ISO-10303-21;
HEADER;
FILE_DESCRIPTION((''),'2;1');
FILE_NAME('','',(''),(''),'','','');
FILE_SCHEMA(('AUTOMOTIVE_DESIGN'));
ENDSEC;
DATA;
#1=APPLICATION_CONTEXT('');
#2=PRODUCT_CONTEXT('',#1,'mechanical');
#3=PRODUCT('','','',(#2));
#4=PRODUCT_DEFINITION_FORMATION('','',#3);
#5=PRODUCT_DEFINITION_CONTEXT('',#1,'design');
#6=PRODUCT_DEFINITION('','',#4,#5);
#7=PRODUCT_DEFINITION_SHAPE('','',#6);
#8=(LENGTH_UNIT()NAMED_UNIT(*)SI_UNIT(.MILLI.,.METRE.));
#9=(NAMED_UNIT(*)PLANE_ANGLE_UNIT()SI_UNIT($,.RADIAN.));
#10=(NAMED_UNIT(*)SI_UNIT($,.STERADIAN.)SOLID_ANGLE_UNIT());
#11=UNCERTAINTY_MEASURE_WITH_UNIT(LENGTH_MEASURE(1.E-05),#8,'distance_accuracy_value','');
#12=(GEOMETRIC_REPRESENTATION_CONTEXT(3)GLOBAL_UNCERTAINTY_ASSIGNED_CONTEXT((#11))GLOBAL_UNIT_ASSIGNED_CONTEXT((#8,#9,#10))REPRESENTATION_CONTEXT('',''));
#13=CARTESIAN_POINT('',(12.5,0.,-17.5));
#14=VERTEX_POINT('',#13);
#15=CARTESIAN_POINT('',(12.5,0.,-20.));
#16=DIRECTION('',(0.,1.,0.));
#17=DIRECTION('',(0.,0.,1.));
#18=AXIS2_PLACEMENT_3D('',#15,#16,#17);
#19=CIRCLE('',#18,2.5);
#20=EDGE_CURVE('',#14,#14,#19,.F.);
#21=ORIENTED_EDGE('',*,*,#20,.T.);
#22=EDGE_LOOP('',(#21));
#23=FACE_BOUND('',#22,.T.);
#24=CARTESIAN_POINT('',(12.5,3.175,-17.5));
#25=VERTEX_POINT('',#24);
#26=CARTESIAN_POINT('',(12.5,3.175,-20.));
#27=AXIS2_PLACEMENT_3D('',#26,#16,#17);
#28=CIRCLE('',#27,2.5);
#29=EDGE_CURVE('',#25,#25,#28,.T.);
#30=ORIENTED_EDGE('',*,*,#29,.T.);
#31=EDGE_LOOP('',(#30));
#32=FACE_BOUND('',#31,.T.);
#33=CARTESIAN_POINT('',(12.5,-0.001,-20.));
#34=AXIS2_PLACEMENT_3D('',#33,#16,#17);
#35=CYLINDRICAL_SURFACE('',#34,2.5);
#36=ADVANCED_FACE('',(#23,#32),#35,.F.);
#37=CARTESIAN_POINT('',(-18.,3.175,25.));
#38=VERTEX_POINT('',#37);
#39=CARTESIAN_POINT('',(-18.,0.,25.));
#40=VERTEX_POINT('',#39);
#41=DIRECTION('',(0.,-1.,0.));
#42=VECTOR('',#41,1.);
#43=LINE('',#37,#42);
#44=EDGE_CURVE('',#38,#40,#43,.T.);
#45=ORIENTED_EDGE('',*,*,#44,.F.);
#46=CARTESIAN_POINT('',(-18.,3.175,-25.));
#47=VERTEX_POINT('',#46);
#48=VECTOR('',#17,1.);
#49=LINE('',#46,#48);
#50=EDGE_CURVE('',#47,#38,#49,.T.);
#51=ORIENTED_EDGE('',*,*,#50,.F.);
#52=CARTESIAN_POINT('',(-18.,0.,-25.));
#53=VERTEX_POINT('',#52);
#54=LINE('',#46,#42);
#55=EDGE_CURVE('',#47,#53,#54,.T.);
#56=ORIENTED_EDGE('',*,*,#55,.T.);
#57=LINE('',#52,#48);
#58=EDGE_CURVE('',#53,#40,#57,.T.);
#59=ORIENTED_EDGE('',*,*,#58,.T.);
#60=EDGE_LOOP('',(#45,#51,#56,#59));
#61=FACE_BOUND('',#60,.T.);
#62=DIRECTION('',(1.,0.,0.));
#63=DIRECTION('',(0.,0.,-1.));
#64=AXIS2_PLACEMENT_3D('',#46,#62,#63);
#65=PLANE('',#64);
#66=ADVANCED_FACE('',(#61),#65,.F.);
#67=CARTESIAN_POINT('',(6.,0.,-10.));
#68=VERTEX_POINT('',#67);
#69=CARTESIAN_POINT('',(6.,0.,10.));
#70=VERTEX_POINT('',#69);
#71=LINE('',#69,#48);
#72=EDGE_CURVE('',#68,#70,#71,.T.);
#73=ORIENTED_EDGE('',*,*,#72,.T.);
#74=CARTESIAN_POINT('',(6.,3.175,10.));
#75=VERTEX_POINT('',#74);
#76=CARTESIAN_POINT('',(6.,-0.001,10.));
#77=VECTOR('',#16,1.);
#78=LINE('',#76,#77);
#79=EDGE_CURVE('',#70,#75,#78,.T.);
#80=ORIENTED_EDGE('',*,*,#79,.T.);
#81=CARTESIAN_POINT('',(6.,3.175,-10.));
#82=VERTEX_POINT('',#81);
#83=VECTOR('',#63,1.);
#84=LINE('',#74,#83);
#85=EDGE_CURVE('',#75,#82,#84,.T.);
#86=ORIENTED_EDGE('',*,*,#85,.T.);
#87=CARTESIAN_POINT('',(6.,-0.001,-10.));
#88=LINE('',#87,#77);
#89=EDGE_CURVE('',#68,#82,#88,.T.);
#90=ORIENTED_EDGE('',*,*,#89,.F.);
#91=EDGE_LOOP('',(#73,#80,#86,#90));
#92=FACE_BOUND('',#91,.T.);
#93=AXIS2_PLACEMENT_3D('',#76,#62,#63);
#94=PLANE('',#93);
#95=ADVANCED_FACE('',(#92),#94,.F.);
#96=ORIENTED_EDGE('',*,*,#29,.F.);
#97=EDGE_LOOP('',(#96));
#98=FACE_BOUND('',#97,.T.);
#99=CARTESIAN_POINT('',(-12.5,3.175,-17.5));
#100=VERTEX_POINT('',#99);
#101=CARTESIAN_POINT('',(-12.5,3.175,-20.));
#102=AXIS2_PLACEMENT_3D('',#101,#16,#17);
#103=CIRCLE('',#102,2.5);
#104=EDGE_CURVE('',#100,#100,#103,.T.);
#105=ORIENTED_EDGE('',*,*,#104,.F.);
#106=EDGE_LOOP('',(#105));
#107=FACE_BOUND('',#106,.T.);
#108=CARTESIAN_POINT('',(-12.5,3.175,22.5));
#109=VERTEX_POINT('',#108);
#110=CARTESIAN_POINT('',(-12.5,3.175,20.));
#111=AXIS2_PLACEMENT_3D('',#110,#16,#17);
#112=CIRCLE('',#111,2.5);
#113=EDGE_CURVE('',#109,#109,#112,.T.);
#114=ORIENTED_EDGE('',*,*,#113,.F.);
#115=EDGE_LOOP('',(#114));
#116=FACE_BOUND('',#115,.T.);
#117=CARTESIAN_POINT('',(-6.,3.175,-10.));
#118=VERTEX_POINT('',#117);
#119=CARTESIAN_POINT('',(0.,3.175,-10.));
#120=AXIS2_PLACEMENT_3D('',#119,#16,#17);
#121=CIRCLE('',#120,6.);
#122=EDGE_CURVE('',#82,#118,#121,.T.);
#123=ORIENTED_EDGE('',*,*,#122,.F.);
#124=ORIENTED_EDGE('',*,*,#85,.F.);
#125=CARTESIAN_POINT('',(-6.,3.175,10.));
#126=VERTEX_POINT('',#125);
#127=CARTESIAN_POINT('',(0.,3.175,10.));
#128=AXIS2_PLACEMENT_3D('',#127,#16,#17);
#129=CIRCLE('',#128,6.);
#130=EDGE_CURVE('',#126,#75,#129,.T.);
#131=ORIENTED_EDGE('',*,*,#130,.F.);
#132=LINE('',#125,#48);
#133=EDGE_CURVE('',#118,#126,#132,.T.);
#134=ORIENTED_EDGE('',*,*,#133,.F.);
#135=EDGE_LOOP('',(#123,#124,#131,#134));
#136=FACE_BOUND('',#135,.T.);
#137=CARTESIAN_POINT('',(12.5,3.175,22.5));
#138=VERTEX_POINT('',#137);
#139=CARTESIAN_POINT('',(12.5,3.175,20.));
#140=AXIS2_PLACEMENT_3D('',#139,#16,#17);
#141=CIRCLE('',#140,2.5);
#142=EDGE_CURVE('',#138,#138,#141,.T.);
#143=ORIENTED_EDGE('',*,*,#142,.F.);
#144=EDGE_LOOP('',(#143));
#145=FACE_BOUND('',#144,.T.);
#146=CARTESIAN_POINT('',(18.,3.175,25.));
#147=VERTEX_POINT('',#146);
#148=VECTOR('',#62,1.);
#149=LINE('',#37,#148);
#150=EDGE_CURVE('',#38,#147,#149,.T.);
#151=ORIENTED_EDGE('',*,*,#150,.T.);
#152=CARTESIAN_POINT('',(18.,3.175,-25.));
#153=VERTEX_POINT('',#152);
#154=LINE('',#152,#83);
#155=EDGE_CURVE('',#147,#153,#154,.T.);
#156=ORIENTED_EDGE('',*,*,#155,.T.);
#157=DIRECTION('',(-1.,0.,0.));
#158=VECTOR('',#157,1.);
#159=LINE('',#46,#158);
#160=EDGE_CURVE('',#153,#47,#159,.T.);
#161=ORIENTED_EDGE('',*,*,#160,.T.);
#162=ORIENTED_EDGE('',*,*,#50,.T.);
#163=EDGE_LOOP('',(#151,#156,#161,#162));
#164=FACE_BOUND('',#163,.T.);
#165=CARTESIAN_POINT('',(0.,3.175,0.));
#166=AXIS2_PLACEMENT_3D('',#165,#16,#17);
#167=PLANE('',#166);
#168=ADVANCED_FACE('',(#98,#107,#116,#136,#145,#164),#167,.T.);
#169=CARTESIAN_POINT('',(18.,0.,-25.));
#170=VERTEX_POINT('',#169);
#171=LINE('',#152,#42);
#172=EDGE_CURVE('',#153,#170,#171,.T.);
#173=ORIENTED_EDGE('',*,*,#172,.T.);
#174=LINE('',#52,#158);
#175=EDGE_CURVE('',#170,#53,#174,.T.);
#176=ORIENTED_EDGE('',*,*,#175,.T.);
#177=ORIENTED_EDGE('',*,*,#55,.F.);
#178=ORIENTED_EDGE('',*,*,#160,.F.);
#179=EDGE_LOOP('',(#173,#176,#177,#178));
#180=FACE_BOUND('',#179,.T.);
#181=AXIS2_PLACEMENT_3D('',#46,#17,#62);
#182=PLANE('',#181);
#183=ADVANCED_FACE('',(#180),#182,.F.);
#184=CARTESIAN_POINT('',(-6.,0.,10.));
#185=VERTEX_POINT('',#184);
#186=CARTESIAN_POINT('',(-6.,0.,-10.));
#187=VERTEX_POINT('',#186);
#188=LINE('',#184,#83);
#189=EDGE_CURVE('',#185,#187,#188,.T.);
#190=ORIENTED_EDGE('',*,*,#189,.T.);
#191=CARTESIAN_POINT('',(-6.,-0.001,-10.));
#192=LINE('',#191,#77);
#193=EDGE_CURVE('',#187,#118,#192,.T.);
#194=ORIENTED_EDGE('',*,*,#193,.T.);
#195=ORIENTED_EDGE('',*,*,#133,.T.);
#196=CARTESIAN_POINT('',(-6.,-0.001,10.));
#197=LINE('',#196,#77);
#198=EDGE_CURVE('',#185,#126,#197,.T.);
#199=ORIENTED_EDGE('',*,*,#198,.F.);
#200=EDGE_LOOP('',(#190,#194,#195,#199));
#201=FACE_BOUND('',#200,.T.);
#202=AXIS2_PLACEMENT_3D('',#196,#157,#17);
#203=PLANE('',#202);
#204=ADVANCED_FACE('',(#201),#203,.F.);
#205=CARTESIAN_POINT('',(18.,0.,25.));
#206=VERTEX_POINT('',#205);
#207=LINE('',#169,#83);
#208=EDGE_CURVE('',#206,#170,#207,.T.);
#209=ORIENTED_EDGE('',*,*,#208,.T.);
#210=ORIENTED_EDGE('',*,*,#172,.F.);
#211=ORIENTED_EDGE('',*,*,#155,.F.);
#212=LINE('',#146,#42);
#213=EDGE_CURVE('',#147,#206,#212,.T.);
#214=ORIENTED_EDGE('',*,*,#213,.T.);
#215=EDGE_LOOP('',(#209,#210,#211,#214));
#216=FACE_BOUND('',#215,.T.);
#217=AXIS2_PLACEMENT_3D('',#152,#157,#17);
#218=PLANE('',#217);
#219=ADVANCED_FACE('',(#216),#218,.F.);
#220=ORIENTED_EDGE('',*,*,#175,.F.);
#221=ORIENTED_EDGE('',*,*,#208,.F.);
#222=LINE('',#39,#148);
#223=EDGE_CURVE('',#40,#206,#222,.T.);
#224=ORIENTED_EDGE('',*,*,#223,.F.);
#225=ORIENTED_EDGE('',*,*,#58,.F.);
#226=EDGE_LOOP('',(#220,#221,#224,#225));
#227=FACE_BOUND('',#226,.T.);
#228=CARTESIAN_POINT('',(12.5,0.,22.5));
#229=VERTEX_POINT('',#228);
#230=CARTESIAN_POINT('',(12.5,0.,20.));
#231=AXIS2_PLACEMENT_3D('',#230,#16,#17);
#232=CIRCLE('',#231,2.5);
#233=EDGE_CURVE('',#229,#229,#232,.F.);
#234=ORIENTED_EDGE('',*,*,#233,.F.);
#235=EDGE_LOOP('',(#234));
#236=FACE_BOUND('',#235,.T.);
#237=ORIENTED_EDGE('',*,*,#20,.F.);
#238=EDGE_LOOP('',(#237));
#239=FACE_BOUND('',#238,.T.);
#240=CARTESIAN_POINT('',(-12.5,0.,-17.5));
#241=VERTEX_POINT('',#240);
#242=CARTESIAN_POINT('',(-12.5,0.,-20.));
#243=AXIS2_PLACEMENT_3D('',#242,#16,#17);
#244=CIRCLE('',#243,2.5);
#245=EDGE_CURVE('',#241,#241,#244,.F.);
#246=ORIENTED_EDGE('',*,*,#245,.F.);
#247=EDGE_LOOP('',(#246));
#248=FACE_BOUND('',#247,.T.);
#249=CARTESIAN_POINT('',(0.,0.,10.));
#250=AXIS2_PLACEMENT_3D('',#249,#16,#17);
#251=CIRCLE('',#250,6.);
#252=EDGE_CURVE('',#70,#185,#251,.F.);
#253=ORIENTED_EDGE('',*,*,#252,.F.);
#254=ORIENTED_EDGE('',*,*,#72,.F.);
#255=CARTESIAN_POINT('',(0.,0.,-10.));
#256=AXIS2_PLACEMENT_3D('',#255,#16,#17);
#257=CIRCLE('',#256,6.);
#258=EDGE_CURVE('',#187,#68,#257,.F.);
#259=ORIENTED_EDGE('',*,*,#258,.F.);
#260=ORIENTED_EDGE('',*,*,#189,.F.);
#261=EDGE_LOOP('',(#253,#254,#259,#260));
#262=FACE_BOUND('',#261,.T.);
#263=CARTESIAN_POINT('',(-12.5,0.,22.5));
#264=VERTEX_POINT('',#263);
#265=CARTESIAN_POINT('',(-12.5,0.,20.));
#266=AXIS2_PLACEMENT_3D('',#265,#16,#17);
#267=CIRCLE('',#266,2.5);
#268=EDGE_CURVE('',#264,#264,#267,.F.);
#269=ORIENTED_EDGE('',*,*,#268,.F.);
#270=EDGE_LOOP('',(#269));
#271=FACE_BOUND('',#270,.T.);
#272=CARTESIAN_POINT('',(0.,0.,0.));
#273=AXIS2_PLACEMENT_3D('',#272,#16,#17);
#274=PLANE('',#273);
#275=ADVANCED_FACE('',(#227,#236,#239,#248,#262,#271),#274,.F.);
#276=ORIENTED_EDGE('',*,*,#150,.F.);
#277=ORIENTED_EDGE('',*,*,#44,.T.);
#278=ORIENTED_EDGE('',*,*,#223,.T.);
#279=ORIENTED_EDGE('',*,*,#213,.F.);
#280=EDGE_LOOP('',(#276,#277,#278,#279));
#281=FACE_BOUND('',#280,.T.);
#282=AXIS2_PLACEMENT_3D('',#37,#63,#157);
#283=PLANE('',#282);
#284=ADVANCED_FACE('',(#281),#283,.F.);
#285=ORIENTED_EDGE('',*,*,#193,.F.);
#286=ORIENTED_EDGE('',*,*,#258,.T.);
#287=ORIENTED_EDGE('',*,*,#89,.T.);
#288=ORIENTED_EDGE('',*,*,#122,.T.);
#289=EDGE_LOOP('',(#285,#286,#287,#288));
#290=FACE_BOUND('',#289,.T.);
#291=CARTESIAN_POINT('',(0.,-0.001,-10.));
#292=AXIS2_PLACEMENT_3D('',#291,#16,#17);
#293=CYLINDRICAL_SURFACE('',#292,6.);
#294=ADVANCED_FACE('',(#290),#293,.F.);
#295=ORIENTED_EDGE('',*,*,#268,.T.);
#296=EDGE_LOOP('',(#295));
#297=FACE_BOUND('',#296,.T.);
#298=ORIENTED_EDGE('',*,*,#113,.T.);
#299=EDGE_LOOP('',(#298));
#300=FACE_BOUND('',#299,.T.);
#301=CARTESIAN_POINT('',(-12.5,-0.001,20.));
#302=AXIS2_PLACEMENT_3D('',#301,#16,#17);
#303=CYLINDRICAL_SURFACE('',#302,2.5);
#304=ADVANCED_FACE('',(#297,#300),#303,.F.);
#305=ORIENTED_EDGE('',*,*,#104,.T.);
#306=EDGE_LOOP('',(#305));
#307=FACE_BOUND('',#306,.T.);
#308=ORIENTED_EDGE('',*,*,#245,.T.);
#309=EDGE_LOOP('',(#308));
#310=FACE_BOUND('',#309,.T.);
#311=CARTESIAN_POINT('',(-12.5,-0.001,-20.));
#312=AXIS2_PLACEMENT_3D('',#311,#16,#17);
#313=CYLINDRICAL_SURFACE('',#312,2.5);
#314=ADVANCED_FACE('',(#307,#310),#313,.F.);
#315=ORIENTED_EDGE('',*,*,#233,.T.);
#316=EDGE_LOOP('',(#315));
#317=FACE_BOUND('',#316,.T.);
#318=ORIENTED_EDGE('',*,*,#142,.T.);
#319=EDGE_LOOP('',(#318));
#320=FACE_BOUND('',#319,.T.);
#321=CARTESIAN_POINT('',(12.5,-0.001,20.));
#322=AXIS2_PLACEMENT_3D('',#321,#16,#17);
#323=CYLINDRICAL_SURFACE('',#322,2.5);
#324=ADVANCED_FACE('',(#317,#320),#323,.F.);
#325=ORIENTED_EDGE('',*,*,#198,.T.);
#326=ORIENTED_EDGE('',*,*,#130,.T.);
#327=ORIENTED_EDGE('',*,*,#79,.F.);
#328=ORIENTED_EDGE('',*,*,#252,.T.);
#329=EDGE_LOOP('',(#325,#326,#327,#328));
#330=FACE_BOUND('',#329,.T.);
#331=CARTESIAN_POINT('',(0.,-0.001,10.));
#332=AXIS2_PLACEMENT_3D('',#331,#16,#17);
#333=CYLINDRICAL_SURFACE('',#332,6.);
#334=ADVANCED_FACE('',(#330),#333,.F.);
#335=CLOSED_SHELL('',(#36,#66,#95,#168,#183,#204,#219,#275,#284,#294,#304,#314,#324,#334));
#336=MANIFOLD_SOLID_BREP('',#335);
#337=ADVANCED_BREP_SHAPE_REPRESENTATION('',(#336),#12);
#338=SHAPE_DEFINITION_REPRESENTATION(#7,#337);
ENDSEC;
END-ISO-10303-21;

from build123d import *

# Parameters (mm, degrees)
SKETCH1_W           = 36
SKETCH1_H           = 50
BOSS_EXTRUDE1_DEPTH = 3.175
CUT_EXTRUDE1_REACH  = 32.969
SKETCH3_R           = 2.5
CUT_EXTRUDE2_REACH  = 32.969


with BuildPart() as part:
    # Sketch1 → Boss-Extrude1 (new body)
    with BuildSketch(Plane(origin=(0, 0, 0), x_dir=(1, 0, 0), z_dir=(0, 1, 0))):
        Rectangle(SKETCH1_W, SKETCH1_H)
    extrude(amount=BOSS_EXTRUDE1_DEPTH)

    # Sketch3 → Cut-Extrude1 (cut, up to next)
    with BuildSketch(Plane(origin=(0, 3.175, 0), x_dir=(1, 0, 0), z_dir=(0, 1, 0)), mode=Mode.PRIVATE) as cut_extrude1_sk1:
        with Locations(Location((-12.5, 20, 0), (0, 0, 270))):
            Circle(SKETCH3_R)
    cut_extrude1_tool1 = extrude(cut_extrude1_sk1.sketch, amount=-CUT_EXTRUDE1_REACH, mode=Mode.PRIVATE) & part.part
    # Sketch3 → Cut-Extrude1 (cut, up to next)
    with BuildSketch(Plane(origin=(0, 3.175, 0), x_dir=(1, 0, 0), z_dir=(0, 1, 0)), mode=Mode.PRIVATE) as cut_extrude1_sk2:
        with Locations(Location((12.5, 20, 0), (0, 0, 270))):
            Circle(SKETCH3_R)
    cut_extrude1_tool2 = extrude(cut_extrude1_sk2.sketch, amount=-CUT_EXTRUDE1_REACH, mode=Mode.PRIVATE) & part.part
    # Sketch3 → Cut-Extrude1 (cut, up to next)
    with BuildSketch(Plane(origin=(0, 3.175, 0), x_dir=(1, 0, 0), z_dir=(0, 1, 0)), mode=Mode.PRIVATE) as cut_extrude1_sk3:
        with Locations(Location((12.5, -20, 0), (0, 0, 270))):
            Circle(SKETCH3_R)
    cut_extrude1_tool3 = extrude(cut_extrude1_sk3.sketch, amount=-CUT_EXTRUDE1_REACH, mode=Mode.PRIVATE) & part.part
    # Sketch3 → Cut-Extrude1 (cut, up to next)
    with BuildSketch(Plane(origin=(0, 3.175, 0), x_dir=(1, 0, 0), z_dir=(0, 1, 0)), mode=Mode.PRIVATE) as cut_extrude1_sk4:
        with Locations(Location((-12.5, -20, 0), (0, 0, 270))):
            Circle(SKETCH3_R)
    cut_extrude1_tool4 = extrude(cut_extrude1_sk4.sketch, amount=-CUT_EXTRUDE1_REACH, mode=Mode.PRIVATE) & part.part
    add(cut_extrude1_tool1.solids().sort_by_distance((-12.5, 3.175, -20))[0], mode=Mode.SUBTRACT)
    add(cut_extrude1_tool2.solids().sort_by_distance((12.5, 3.175, -20))[0], mode=Mode.SUBTRACT)
    add(cut_extrude1_tool3.solids().sort_by_distance((12.5, 3.175, 20))[0], mode=Mode.SUBTRACT)
    add(cut_extrude1_tool4.solids().sort_by_distance((-12.5, 3.175, 20))[0], mode=Mode.SUBTRACT)

    # Sketch4 → Cut-Extrude2 (cut, up to next)
    with BuildSketch(Plane(origin=(0, 3.175, 0), x_dir=(1, 0, 0), z_dir=(0, 1, 0)), mode=Mode.PRIVATE) as cut_extrude2_sk1:
        with BuildLine():
            Line((-6, -10), (-6, 10))
            ThreePointArc((-6, 10), (0, 16), (6, 10))
            Line((6, 10), (6, -10))
            ThreePointArc((6, -10), (0, -16), (-6, -10))
        make_face()
    cut_extrude2_tool1 = extrude(cut_extrude2_sk1.sketch, amount=-CUT_EXTRUDE2_REACH, mode=Mode.PRIVATE) & part.part
    add(cut_extrude2_tool1.solids().sort_by_distance((0, 3.175, 0))[0], mode=Mode.SUBTRACT)


solid = part.part
